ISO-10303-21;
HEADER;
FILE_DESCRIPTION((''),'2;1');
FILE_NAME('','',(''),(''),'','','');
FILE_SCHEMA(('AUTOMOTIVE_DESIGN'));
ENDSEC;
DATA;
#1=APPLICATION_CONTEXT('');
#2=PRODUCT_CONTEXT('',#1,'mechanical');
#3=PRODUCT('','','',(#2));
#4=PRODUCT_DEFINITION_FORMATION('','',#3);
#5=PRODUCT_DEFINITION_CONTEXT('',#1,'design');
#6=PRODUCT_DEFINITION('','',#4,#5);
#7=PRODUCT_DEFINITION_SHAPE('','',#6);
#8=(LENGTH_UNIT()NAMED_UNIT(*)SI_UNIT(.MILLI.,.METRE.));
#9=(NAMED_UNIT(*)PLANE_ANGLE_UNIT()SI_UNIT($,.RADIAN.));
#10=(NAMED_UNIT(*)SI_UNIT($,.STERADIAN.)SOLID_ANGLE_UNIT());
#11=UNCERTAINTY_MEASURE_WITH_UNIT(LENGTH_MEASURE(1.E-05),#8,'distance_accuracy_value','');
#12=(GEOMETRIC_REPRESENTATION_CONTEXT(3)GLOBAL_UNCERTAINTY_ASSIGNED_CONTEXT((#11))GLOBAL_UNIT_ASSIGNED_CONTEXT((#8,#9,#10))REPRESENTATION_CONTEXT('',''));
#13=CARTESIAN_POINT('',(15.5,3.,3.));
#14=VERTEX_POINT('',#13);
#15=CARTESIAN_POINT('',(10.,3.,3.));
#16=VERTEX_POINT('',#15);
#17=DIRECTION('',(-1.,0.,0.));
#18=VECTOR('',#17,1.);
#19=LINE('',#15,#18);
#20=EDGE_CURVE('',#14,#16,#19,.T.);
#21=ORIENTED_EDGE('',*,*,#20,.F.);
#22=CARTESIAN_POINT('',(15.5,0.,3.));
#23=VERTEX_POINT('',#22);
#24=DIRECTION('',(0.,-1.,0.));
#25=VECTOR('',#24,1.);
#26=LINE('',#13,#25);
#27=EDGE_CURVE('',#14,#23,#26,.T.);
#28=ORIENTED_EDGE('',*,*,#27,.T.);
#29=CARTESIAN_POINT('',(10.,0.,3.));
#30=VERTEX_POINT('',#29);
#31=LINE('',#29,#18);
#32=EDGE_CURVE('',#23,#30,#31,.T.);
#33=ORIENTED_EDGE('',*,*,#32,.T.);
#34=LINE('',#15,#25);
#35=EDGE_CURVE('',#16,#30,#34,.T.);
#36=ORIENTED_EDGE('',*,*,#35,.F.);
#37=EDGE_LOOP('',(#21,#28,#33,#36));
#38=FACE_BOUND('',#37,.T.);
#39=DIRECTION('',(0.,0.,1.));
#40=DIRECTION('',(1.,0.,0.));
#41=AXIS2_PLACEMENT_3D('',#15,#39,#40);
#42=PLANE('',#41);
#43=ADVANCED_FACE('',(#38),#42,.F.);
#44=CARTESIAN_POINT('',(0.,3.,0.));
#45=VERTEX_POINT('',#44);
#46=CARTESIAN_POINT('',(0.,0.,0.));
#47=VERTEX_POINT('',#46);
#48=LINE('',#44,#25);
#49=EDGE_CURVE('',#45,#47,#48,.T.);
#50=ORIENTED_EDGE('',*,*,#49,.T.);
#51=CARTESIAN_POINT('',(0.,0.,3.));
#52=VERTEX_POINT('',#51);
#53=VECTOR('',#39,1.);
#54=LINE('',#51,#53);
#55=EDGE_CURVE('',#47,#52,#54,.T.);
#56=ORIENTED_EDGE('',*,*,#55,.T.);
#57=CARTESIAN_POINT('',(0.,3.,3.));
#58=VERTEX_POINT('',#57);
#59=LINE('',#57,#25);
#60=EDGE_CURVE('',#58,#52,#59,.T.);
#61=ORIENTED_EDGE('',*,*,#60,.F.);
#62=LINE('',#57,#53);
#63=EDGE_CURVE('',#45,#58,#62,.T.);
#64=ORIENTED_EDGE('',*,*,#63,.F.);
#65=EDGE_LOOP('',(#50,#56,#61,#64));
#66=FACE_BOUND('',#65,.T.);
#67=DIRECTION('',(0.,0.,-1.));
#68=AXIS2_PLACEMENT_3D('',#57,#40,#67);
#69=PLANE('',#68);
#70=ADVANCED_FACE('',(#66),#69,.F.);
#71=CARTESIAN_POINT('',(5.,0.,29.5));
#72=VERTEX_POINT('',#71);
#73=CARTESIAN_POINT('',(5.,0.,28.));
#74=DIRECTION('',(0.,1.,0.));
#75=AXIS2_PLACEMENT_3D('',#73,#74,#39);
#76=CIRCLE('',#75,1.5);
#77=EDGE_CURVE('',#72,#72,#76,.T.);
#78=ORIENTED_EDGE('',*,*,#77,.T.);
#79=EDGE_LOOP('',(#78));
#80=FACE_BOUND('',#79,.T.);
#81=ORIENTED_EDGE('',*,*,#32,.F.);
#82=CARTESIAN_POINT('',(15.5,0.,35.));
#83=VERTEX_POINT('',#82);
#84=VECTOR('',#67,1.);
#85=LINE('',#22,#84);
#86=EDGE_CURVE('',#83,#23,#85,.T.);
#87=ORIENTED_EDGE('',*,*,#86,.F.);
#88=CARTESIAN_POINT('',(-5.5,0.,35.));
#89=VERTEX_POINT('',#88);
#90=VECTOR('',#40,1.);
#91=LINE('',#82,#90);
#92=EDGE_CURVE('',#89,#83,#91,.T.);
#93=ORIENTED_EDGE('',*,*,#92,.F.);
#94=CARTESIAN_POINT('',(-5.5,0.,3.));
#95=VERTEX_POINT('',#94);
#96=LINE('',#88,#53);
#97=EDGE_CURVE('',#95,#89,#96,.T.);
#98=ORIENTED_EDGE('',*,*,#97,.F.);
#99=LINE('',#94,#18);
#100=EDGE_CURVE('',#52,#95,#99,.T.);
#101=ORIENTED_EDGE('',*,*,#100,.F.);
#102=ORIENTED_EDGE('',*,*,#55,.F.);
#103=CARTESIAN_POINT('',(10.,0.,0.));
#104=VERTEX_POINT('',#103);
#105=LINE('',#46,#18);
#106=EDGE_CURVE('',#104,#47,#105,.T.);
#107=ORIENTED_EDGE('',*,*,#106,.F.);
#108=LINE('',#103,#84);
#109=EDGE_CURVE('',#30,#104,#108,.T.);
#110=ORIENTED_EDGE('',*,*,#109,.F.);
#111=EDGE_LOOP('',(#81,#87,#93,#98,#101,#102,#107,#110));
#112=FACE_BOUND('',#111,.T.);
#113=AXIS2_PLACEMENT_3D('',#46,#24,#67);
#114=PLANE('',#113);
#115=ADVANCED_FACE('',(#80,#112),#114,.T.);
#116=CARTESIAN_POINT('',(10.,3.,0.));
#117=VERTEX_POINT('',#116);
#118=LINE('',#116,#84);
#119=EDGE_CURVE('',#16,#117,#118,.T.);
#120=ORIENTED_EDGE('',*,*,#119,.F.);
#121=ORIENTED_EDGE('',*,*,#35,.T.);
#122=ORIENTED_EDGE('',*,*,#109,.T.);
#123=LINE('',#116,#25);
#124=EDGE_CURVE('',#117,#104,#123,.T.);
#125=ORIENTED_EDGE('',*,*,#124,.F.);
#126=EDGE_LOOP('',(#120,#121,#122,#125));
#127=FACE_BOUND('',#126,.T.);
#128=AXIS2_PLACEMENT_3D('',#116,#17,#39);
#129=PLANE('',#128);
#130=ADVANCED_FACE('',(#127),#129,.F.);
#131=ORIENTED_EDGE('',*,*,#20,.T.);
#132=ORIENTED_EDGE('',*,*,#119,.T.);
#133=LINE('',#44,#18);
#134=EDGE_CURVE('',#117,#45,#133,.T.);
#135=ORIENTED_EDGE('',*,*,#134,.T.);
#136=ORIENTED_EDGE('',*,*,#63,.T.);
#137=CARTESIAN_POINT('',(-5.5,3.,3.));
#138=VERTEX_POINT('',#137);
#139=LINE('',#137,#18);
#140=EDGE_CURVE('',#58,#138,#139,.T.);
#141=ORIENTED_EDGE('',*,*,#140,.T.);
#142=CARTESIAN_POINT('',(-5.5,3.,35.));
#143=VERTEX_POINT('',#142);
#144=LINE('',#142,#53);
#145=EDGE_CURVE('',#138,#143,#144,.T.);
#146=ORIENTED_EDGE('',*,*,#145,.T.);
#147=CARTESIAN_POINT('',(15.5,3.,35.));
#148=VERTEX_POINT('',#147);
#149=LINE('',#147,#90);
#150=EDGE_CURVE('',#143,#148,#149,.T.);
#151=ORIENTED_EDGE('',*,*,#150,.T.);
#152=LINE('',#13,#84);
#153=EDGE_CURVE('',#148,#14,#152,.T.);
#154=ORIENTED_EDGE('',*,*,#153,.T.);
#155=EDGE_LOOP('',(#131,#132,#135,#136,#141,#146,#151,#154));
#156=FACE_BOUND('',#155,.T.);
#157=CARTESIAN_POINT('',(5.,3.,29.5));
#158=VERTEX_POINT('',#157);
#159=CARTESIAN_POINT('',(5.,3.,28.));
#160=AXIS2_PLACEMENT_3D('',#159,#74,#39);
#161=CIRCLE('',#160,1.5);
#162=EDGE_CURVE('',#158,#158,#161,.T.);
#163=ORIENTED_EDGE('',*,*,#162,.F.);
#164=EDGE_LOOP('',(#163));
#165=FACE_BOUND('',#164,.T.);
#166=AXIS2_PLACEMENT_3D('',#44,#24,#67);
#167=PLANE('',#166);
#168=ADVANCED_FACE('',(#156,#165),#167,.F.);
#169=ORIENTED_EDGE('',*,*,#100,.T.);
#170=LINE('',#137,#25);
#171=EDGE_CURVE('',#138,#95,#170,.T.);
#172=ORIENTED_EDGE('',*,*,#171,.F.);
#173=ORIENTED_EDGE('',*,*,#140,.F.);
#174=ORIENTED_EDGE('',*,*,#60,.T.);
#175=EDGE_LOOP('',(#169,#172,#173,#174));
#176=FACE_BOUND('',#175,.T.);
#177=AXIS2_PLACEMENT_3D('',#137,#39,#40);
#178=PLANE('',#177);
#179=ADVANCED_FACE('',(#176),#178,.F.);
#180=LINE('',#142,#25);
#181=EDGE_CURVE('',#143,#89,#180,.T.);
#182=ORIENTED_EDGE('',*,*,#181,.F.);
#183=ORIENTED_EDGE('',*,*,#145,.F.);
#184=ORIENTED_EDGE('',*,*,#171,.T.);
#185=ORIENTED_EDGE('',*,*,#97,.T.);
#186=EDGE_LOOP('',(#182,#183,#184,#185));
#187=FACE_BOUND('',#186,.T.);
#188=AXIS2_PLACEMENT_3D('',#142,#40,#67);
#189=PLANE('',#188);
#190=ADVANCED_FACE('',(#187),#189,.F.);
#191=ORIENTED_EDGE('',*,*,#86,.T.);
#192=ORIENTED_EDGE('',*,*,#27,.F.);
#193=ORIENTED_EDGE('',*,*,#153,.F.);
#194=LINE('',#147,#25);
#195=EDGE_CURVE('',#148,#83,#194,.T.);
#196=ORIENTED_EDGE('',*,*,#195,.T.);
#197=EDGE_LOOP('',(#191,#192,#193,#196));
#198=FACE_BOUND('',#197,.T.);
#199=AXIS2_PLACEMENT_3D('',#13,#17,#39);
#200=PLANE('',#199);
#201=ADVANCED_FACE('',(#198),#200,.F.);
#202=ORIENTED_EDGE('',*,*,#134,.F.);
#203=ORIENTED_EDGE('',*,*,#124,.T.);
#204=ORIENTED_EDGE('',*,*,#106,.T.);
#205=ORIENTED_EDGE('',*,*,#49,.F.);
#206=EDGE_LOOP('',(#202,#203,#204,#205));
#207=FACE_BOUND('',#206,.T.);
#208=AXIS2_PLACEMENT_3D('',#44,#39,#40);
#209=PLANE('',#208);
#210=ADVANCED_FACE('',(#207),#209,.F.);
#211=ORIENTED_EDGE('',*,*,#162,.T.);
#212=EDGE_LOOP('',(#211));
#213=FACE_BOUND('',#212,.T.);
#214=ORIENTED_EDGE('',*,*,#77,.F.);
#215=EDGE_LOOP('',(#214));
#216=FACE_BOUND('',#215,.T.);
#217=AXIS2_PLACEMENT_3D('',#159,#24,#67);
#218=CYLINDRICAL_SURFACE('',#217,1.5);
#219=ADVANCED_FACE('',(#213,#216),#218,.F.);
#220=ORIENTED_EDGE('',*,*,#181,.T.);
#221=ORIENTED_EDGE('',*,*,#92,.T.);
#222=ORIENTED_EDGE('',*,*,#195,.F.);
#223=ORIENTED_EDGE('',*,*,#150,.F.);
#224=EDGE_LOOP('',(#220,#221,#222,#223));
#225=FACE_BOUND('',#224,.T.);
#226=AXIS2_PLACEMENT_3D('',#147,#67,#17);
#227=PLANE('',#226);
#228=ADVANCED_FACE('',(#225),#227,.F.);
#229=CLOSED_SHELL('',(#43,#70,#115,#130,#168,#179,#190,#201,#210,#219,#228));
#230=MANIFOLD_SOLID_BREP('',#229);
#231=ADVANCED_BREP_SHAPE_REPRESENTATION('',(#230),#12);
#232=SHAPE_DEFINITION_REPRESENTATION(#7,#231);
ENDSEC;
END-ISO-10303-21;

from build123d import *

# Parameters (mm, degrees)
CROQUIS1_R              = 1.5
SALIENTE_EXTRUIR1_DEPTH = 3


with BuildPart() as part:
    # Croquis1 → Saliente-Extruir1 (new body)
    with BuildSketch(Plane(origin=(0, 0, 0), x_dir=(1, 0, 0), z_dir=(0, 1, 0))):
        Polygon((0, 0), (10, 0), (10, -3), (15.5, -3), (15.5, -35), (-5.5, -35), (-5.5, -3), (0, -3), align=None)
        with Locations((5, -28)):
            Circle(CROQUIS1_R, mode=Mode.SUBTRACT)
    extrude(amount=SALIENTE_EXTRUIR1_DEPTH)


solid = part.part
